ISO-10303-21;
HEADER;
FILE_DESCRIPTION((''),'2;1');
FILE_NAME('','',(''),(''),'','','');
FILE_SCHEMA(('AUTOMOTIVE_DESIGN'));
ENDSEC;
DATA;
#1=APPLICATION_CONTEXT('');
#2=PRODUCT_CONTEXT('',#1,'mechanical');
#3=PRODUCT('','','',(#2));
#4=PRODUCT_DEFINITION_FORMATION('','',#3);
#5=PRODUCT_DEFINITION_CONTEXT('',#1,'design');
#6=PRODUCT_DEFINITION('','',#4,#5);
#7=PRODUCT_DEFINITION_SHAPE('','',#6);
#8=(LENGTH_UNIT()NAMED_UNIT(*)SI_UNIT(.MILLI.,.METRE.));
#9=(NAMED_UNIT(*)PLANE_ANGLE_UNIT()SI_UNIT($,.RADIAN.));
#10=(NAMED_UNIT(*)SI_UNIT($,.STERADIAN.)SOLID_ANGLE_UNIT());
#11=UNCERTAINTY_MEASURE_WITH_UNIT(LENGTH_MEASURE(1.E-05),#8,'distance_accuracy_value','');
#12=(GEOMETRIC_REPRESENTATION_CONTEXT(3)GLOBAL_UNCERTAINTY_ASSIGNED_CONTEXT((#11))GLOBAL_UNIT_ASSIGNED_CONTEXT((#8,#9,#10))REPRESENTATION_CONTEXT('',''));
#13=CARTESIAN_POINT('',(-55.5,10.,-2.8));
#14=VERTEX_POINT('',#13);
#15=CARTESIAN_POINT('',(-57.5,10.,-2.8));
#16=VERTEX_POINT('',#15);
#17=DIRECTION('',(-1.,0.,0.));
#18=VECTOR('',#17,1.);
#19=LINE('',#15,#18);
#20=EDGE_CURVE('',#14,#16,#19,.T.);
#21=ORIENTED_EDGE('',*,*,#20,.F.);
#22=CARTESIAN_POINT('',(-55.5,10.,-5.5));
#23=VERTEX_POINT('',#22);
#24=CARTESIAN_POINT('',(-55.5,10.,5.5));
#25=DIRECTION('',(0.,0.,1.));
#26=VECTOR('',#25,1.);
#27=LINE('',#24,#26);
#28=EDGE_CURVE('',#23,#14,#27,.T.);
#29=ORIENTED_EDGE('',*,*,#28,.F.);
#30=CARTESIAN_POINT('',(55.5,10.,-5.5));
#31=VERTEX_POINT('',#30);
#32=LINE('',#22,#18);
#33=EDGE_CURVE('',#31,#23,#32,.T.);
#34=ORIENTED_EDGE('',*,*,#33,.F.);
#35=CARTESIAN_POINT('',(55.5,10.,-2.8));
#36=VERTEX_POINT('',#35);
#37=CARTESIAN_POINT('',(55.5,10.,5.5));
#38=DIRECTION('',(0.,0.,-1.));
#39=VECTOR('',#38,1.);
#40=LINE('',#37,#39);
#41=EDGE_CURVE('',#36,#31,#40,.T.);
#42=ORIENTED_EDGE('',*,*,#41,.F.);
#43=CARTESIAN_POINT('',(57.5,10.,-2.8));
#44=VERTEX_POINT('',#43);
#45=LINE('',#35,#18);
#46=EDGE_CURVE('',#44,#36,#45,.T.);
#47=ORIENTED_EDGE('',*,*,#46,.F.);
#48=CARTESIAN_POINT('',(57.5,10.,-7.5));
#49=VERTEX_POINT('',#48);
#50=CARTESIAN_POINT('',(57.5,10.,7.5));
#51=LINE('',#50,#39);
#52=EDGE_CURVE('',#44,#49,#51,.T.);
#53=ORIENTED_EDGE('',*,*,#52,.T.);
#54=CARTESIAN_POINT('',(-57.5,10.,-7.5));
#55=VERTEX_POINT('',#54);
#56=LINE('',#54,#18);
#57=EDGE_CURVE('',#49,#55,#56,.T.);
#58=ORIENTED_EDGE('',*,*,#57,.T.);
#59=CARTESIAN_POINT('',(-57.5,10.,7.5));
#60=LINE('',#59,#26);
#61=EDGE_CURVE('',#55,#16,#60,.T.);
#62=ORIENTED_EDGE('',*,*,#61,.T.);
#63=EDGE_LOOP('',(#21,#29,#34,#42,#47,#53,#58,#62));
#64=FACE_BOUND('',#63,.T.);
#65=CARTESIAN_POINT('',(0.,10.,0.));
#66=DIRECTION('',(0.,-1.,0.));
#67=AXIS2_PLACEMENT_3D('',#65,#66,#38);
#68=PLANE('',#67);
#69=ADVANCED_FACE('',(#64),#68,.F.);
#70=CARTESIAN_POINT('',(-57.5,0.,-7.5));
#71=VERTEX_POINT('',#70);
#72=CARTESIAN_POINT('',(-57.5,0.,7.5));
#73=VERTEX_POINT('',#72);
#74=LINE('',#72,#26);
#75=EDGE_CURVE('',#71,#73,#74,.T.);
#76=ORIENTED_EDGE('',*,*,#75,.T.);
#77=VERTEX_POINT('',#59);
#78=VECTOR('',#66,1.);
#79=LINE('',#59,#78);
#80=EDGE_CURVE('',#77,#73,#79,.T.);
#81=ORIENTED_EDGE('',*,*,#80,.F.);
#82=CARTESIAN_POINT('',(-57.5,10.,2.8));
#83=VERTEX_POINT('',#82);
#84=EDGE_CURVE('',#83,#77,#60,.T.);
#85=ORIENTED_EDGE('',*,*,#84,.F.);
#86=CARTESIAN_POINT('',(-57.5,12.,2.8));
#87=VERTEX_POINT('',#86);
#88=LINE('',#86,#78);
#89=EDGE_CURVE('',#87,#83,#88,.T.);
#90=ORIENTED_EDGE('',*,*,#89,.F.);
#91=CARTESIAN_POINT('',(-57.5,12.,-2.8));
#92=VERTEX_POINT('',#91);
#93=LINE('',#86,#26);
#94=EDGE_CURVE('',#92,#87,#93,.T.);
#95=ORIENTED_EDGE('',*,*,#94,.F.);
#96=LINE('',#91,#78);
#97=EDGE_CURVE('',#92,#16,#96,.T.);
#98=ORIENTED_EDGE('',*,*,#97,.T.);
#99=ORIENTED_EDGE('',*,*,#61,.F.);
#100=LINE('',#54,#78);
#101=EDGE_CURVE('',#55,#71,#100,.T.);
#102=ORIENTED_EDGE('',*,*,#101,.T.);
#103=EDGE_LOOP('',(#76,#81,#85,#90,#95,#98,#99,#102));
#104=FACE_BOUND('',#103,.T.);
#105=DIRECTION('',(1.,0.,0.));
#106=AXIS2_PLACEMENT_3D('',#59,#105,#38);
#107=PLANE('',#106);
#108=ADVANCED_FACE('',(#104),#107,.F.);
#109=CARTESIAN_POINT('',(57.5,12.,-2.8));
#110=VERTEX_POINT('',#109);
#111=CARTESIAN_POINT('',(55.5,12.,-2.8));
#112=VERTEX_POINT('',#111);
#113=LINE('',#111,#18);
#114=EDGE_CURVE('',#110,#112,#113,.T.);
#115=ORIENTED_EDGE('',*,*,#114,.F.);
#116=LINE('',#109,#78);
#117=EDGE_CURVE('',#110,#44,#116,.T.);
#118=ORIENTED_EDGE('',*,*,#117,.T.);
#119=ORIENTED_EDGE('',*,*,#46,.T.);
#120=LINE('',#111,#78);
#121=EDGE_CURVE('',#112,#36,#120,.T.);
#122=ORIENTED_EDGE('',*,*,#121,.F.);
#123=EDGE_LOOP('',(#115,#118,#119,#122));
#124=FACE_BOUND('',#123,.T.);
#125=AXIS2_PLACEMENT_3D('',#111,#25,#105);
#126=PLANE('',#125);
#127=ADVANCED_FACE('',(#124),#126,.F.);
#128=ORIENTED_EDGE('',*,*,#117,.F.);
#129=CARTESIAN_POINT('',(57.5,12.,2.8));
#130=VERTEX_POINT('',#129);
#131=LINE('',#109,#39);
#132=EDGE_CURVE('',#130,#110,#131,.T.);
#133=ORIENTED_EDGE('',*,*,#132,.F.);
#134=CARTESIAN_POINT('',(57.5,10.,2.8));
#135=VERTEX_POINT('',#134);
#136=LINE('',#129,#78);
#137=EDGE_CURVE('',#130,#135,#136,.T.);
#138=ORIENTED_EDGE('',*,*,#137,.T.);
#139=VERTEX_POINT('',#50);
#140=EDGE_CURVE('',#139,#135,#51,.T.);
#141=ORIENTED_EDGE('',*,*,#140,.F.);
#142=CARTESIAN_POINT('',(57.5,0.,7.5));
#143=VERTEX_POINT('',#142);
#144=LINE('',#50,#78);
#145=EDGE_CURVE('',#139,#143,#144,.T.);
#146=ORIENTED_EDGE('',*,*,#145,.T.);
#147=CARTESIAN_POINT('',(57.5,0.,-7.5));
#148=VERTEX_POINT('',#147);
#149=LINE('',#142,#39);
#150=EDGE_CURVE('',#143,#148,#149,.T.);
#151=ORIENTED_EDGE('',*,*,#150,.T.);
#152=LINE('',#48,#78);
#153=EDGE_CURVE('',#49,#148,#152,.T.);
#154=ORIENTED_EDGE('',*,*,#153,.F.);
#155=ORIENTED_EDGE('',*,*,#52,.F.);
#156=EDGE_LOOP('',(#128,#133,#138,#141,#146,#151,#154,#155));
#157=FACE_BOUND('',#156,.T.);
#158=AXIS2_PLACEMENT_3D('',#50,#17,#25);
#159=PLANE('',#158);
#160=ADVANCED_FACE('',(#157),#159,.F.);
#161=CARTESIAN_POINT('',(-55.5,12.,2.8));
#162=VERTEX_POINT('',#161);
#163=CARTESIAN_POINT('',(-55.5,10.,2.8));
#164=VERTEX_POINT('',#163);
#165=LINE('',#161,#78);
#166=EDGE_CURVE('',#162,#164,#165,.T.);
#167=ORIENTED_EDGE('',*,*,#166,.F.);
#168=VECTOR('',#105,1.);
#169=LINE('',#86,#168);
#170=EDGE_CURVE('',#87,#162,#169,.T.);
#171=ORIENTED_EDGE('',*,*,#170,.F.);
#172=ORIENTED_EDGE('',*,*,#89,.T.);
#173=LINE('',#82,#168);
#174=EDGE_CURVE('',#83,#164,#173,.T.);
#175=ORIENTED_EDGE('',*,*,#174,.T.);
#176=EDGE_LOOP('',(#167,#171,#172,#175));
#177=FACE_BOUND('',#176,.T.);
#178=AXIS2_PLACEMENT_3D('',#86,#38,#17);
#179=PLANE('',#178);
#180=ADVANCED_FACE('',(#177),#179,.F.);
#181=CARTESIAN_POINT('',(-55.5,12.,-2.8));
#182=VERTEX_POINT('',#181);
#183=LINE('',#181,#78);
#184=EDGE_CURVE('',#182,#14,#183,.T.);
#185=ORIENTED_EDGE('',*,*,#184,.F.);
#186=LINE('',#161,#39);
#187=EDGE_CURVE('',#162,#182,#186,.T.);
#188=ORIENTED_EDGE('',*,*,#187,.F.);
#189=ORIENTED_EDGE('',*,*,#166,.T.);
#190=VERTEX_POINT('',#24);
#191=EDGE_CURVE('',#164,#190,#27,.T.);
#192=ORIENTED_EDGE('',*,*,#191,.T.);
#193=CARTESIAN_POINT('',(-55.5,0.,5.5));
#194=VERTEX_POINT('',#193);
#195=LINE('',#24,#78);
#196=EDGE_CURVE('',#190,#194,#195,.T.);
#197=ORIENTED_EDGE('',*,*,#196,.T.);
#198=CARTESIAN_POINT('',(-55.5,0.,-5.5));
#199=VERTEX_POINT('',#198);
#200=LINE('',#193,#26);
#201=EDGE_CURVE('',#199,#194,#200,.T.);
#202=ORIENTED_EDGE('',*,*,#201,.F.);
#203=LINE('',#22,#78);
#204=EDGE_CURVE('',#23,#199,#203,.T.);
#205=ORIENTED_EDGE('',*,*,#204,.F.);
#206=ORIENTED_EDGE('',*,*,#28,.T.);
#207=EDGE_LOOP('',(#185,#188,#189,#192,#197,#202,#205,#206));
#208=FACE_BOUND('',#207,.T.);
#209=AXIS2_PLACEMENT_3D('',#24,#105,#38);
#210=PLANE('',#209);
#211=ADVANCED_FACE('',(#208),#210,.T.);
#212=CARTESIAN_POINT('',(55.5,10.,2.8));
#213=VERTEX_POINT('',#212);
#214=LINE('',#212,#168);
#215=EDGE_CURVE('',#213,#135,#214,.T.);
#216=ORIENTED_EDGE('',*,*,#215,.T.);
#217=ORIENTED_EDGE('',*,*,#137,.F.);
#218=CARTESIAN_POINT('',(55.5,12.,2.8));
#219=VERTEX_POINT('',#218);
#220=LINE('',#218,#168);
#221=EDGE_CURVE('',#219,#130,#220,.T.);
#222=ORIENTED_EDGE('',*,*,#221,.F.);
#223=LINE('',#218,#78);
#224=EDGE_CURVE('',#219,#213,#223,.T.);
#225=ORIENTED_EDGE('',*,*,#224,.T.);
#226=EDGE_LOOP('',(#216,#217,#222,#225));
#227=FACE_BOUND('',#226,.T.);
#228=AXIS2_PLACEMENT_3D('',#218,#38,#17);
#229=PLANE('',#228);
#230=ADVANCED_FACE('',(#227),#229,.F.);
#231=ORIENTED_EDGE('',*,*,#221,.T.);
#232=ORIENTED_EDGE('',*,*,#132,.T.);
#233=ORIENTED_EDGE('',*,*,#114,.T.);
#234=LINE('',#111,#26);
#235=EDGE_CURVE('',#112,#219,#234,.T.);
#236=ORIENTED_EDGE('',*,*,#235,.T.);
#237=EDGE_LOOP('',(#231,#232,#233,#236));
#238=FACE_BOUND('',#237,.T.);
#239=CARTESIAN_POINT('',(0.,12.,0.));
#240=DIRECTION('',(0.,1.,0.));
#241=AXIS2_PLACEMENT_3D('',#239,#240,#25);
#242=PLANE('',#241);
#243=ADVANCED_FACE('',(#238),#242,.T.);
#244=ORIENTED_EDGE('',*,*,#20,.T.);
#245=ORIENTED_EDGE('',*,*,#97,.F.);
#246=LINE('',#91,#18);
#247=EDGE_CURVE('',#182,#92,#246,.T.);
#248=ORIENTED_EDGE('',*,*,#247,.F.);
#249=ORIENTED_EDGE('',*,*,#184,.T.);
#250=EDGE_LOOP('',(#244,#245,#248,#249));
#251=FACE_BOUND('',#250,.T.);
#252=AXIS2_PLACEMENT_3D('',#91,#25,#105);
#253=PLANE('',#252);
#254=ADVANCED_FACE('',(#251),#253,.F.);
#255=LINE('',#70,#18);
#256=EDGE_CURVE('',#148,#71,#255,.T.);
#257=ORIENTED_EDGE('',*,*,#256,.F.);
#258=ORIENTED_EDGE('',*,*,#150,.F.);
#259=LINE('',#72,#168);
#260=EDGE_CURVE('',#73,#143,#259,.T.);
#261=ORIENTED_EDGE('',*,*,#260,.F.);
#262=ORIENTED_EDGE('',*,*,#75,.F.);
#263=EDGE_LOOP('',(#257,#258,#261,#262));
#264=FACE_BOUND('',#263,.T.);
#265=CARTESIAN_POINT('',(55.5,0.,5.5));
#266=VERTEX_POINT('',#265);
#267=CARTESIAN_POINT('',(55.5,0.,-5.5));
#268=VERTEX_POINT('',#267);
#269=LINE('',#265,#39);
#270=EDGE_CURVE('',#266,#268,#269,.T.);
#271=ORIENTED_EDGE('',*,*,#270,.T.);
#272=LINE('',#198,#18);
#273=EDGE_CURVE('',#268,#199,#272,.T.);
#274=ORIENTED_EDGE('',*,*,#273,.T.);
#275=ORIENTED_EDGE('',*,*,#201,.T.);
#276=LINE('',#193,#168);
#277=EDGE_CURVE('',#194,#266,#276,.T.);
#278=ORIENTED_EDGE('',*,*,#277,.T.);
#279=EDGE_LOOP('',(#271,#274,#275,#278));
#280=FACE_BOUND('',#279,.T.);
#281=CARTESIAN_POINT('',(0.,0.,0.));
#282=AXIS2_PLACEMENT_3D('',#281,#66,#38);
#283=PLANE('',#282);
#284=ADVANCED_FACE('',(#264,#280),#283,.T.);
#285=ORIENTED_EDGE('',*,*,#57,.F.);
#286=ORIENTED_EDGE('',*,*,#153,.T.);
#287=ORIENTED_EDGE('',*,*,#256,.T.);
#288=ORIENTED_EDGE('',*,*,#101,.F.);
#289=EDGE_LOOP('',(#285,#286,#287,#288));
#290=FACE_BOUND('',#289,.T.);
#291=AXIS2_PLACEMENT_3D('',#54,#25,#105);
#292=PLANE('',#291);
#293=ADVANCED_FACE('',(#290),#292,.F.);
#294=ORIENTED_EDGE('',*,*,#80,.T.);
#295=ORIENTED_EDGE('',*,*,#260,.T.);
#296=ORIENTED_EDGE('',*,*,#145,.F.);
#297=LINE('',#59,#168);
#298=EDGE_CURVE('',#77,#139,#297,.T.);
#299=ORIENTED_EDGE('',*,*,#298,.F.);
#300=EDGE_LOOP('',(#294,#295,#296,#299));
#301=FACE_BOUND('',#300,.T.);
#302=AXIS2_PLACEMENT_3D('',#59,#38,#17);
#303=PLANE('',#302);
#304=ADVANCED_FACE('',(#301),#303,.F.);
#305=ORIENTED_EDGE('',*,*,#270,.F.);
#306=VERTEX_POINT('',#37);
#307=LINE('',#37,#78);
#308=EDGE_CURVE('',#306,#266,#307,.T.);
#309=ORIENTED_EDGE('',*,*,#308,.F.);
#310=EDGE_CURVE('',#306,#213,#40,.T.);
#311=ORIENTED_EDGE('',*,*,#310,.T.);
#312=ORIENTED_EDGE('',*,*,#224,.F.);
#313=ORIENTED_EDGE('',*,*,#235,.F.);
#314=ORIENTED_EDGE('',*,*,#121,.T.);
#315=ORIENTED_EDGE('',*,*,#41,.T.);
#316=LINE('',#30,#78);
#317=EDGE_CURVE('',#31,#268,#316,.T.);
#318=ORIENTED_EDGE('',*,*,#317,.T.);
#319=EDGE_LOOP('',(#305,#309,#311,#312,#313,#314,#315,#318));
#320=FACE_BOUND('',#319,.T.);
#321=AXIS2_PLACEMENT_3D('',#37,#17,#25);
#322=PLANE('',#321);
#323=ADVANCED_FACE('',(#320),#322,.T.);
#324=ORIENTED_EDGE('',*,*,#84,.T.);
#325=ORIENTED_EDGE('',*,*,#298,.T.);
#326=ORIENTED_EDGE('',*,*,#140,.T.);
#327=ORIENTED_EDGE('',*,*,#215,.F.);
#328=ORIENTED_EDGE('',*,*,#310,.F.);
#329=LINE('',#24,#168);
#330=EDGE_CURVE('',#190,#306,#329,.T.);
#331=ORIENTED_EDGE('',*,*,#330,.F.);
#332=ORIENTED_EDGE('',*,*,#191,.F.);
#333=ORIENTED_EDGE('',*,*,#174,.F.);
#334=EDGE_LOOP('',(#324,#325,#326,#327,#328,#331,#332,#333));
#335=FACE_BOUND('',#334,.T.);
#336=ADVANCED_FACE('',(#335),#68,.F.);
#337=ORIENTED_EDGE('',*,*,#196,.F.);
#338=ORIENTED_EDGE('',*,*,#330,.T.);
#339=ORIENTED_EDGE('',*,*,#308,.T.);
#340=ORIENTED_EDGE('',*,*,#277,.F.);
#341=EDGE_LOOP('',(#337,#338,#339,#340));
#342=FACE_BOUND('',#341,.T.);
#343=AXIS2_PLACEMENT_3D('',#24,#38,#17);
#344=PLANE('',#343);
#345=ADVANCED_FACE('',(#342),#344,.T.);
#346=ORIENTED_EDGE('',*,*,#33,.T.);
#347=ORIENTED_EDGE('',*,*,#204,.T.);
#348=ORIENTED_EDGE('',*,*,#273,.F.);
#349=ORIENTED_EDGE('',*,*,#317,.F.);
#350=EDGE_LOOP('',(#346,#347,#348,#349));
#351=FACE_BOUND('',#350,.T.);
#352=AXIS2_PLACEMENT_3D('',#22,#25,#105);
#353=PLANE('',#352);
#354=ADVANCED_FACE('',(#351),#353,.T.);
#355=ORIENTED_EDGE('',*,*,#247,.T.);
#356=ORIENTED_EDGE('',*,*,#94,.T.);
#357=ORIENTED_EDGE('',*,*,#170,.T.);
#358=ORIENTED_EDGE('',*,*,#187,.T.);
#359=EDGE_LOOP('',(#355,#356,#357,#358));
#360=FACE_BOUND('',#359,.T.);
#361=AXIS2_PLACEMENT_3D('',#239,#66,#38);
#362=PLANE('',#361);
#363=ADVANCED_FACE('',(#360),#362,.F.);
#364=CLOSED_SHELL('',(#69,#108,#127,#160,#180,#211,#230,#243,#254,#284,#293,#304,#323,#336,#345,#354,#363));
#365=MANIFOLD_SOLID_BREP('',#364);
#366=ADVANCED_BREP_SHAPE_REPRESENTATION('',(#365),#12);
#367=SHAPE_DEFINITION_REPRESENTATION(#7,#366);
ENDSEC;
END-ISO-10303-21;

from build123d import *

# Parameters (mm, degrees)
SKETCH1_W           = 115
SKETCH1_H           = 15
SKETCH1_W_2         = 111
SKETCH1_H_2         = 11
BOSS_EXTRUDE1_DEPTH = 10
SKETCH2_W           = 2
SKETCH2_H           = 5.6
BOSS_EXTRUDE2_DEPTH = 2


with BuildPart() as part:
    # Sketch1 → Boss-Extrude1 (new body)
    with BuildSketch(Plane(origin=(0, 0, 0), x_dir=(1, 0, 0), z_dir=(0, 1, 0))):
        Rectangle(SKETCH1_W, SKETCH1_H)
        Rectangle(SKETCH1_W_2, SKETCH1_H_2, mode=Mode.SUBTRACT)
    extrude(amount=BOSS_EXTRUDE1_DEPTH)

    # Sketch2 → Boss-Extrude2 (add)
    with BuildSketch(Plane(origin=(0, 10, 0), x_dir=(1, 0, 0), z_dir=(0, 1, 0))):
        with Locations((-56.5, 0)):
            Rectangle(SKETCH2_W, SKETCH2_H)
        with Locations((56.5, 0)):
            Rectangle(SKETCH2_W, SKETCH2_H)
    extrude(amount=BOSS_EXTRUDE2_DEPTH)


solid = part.part
